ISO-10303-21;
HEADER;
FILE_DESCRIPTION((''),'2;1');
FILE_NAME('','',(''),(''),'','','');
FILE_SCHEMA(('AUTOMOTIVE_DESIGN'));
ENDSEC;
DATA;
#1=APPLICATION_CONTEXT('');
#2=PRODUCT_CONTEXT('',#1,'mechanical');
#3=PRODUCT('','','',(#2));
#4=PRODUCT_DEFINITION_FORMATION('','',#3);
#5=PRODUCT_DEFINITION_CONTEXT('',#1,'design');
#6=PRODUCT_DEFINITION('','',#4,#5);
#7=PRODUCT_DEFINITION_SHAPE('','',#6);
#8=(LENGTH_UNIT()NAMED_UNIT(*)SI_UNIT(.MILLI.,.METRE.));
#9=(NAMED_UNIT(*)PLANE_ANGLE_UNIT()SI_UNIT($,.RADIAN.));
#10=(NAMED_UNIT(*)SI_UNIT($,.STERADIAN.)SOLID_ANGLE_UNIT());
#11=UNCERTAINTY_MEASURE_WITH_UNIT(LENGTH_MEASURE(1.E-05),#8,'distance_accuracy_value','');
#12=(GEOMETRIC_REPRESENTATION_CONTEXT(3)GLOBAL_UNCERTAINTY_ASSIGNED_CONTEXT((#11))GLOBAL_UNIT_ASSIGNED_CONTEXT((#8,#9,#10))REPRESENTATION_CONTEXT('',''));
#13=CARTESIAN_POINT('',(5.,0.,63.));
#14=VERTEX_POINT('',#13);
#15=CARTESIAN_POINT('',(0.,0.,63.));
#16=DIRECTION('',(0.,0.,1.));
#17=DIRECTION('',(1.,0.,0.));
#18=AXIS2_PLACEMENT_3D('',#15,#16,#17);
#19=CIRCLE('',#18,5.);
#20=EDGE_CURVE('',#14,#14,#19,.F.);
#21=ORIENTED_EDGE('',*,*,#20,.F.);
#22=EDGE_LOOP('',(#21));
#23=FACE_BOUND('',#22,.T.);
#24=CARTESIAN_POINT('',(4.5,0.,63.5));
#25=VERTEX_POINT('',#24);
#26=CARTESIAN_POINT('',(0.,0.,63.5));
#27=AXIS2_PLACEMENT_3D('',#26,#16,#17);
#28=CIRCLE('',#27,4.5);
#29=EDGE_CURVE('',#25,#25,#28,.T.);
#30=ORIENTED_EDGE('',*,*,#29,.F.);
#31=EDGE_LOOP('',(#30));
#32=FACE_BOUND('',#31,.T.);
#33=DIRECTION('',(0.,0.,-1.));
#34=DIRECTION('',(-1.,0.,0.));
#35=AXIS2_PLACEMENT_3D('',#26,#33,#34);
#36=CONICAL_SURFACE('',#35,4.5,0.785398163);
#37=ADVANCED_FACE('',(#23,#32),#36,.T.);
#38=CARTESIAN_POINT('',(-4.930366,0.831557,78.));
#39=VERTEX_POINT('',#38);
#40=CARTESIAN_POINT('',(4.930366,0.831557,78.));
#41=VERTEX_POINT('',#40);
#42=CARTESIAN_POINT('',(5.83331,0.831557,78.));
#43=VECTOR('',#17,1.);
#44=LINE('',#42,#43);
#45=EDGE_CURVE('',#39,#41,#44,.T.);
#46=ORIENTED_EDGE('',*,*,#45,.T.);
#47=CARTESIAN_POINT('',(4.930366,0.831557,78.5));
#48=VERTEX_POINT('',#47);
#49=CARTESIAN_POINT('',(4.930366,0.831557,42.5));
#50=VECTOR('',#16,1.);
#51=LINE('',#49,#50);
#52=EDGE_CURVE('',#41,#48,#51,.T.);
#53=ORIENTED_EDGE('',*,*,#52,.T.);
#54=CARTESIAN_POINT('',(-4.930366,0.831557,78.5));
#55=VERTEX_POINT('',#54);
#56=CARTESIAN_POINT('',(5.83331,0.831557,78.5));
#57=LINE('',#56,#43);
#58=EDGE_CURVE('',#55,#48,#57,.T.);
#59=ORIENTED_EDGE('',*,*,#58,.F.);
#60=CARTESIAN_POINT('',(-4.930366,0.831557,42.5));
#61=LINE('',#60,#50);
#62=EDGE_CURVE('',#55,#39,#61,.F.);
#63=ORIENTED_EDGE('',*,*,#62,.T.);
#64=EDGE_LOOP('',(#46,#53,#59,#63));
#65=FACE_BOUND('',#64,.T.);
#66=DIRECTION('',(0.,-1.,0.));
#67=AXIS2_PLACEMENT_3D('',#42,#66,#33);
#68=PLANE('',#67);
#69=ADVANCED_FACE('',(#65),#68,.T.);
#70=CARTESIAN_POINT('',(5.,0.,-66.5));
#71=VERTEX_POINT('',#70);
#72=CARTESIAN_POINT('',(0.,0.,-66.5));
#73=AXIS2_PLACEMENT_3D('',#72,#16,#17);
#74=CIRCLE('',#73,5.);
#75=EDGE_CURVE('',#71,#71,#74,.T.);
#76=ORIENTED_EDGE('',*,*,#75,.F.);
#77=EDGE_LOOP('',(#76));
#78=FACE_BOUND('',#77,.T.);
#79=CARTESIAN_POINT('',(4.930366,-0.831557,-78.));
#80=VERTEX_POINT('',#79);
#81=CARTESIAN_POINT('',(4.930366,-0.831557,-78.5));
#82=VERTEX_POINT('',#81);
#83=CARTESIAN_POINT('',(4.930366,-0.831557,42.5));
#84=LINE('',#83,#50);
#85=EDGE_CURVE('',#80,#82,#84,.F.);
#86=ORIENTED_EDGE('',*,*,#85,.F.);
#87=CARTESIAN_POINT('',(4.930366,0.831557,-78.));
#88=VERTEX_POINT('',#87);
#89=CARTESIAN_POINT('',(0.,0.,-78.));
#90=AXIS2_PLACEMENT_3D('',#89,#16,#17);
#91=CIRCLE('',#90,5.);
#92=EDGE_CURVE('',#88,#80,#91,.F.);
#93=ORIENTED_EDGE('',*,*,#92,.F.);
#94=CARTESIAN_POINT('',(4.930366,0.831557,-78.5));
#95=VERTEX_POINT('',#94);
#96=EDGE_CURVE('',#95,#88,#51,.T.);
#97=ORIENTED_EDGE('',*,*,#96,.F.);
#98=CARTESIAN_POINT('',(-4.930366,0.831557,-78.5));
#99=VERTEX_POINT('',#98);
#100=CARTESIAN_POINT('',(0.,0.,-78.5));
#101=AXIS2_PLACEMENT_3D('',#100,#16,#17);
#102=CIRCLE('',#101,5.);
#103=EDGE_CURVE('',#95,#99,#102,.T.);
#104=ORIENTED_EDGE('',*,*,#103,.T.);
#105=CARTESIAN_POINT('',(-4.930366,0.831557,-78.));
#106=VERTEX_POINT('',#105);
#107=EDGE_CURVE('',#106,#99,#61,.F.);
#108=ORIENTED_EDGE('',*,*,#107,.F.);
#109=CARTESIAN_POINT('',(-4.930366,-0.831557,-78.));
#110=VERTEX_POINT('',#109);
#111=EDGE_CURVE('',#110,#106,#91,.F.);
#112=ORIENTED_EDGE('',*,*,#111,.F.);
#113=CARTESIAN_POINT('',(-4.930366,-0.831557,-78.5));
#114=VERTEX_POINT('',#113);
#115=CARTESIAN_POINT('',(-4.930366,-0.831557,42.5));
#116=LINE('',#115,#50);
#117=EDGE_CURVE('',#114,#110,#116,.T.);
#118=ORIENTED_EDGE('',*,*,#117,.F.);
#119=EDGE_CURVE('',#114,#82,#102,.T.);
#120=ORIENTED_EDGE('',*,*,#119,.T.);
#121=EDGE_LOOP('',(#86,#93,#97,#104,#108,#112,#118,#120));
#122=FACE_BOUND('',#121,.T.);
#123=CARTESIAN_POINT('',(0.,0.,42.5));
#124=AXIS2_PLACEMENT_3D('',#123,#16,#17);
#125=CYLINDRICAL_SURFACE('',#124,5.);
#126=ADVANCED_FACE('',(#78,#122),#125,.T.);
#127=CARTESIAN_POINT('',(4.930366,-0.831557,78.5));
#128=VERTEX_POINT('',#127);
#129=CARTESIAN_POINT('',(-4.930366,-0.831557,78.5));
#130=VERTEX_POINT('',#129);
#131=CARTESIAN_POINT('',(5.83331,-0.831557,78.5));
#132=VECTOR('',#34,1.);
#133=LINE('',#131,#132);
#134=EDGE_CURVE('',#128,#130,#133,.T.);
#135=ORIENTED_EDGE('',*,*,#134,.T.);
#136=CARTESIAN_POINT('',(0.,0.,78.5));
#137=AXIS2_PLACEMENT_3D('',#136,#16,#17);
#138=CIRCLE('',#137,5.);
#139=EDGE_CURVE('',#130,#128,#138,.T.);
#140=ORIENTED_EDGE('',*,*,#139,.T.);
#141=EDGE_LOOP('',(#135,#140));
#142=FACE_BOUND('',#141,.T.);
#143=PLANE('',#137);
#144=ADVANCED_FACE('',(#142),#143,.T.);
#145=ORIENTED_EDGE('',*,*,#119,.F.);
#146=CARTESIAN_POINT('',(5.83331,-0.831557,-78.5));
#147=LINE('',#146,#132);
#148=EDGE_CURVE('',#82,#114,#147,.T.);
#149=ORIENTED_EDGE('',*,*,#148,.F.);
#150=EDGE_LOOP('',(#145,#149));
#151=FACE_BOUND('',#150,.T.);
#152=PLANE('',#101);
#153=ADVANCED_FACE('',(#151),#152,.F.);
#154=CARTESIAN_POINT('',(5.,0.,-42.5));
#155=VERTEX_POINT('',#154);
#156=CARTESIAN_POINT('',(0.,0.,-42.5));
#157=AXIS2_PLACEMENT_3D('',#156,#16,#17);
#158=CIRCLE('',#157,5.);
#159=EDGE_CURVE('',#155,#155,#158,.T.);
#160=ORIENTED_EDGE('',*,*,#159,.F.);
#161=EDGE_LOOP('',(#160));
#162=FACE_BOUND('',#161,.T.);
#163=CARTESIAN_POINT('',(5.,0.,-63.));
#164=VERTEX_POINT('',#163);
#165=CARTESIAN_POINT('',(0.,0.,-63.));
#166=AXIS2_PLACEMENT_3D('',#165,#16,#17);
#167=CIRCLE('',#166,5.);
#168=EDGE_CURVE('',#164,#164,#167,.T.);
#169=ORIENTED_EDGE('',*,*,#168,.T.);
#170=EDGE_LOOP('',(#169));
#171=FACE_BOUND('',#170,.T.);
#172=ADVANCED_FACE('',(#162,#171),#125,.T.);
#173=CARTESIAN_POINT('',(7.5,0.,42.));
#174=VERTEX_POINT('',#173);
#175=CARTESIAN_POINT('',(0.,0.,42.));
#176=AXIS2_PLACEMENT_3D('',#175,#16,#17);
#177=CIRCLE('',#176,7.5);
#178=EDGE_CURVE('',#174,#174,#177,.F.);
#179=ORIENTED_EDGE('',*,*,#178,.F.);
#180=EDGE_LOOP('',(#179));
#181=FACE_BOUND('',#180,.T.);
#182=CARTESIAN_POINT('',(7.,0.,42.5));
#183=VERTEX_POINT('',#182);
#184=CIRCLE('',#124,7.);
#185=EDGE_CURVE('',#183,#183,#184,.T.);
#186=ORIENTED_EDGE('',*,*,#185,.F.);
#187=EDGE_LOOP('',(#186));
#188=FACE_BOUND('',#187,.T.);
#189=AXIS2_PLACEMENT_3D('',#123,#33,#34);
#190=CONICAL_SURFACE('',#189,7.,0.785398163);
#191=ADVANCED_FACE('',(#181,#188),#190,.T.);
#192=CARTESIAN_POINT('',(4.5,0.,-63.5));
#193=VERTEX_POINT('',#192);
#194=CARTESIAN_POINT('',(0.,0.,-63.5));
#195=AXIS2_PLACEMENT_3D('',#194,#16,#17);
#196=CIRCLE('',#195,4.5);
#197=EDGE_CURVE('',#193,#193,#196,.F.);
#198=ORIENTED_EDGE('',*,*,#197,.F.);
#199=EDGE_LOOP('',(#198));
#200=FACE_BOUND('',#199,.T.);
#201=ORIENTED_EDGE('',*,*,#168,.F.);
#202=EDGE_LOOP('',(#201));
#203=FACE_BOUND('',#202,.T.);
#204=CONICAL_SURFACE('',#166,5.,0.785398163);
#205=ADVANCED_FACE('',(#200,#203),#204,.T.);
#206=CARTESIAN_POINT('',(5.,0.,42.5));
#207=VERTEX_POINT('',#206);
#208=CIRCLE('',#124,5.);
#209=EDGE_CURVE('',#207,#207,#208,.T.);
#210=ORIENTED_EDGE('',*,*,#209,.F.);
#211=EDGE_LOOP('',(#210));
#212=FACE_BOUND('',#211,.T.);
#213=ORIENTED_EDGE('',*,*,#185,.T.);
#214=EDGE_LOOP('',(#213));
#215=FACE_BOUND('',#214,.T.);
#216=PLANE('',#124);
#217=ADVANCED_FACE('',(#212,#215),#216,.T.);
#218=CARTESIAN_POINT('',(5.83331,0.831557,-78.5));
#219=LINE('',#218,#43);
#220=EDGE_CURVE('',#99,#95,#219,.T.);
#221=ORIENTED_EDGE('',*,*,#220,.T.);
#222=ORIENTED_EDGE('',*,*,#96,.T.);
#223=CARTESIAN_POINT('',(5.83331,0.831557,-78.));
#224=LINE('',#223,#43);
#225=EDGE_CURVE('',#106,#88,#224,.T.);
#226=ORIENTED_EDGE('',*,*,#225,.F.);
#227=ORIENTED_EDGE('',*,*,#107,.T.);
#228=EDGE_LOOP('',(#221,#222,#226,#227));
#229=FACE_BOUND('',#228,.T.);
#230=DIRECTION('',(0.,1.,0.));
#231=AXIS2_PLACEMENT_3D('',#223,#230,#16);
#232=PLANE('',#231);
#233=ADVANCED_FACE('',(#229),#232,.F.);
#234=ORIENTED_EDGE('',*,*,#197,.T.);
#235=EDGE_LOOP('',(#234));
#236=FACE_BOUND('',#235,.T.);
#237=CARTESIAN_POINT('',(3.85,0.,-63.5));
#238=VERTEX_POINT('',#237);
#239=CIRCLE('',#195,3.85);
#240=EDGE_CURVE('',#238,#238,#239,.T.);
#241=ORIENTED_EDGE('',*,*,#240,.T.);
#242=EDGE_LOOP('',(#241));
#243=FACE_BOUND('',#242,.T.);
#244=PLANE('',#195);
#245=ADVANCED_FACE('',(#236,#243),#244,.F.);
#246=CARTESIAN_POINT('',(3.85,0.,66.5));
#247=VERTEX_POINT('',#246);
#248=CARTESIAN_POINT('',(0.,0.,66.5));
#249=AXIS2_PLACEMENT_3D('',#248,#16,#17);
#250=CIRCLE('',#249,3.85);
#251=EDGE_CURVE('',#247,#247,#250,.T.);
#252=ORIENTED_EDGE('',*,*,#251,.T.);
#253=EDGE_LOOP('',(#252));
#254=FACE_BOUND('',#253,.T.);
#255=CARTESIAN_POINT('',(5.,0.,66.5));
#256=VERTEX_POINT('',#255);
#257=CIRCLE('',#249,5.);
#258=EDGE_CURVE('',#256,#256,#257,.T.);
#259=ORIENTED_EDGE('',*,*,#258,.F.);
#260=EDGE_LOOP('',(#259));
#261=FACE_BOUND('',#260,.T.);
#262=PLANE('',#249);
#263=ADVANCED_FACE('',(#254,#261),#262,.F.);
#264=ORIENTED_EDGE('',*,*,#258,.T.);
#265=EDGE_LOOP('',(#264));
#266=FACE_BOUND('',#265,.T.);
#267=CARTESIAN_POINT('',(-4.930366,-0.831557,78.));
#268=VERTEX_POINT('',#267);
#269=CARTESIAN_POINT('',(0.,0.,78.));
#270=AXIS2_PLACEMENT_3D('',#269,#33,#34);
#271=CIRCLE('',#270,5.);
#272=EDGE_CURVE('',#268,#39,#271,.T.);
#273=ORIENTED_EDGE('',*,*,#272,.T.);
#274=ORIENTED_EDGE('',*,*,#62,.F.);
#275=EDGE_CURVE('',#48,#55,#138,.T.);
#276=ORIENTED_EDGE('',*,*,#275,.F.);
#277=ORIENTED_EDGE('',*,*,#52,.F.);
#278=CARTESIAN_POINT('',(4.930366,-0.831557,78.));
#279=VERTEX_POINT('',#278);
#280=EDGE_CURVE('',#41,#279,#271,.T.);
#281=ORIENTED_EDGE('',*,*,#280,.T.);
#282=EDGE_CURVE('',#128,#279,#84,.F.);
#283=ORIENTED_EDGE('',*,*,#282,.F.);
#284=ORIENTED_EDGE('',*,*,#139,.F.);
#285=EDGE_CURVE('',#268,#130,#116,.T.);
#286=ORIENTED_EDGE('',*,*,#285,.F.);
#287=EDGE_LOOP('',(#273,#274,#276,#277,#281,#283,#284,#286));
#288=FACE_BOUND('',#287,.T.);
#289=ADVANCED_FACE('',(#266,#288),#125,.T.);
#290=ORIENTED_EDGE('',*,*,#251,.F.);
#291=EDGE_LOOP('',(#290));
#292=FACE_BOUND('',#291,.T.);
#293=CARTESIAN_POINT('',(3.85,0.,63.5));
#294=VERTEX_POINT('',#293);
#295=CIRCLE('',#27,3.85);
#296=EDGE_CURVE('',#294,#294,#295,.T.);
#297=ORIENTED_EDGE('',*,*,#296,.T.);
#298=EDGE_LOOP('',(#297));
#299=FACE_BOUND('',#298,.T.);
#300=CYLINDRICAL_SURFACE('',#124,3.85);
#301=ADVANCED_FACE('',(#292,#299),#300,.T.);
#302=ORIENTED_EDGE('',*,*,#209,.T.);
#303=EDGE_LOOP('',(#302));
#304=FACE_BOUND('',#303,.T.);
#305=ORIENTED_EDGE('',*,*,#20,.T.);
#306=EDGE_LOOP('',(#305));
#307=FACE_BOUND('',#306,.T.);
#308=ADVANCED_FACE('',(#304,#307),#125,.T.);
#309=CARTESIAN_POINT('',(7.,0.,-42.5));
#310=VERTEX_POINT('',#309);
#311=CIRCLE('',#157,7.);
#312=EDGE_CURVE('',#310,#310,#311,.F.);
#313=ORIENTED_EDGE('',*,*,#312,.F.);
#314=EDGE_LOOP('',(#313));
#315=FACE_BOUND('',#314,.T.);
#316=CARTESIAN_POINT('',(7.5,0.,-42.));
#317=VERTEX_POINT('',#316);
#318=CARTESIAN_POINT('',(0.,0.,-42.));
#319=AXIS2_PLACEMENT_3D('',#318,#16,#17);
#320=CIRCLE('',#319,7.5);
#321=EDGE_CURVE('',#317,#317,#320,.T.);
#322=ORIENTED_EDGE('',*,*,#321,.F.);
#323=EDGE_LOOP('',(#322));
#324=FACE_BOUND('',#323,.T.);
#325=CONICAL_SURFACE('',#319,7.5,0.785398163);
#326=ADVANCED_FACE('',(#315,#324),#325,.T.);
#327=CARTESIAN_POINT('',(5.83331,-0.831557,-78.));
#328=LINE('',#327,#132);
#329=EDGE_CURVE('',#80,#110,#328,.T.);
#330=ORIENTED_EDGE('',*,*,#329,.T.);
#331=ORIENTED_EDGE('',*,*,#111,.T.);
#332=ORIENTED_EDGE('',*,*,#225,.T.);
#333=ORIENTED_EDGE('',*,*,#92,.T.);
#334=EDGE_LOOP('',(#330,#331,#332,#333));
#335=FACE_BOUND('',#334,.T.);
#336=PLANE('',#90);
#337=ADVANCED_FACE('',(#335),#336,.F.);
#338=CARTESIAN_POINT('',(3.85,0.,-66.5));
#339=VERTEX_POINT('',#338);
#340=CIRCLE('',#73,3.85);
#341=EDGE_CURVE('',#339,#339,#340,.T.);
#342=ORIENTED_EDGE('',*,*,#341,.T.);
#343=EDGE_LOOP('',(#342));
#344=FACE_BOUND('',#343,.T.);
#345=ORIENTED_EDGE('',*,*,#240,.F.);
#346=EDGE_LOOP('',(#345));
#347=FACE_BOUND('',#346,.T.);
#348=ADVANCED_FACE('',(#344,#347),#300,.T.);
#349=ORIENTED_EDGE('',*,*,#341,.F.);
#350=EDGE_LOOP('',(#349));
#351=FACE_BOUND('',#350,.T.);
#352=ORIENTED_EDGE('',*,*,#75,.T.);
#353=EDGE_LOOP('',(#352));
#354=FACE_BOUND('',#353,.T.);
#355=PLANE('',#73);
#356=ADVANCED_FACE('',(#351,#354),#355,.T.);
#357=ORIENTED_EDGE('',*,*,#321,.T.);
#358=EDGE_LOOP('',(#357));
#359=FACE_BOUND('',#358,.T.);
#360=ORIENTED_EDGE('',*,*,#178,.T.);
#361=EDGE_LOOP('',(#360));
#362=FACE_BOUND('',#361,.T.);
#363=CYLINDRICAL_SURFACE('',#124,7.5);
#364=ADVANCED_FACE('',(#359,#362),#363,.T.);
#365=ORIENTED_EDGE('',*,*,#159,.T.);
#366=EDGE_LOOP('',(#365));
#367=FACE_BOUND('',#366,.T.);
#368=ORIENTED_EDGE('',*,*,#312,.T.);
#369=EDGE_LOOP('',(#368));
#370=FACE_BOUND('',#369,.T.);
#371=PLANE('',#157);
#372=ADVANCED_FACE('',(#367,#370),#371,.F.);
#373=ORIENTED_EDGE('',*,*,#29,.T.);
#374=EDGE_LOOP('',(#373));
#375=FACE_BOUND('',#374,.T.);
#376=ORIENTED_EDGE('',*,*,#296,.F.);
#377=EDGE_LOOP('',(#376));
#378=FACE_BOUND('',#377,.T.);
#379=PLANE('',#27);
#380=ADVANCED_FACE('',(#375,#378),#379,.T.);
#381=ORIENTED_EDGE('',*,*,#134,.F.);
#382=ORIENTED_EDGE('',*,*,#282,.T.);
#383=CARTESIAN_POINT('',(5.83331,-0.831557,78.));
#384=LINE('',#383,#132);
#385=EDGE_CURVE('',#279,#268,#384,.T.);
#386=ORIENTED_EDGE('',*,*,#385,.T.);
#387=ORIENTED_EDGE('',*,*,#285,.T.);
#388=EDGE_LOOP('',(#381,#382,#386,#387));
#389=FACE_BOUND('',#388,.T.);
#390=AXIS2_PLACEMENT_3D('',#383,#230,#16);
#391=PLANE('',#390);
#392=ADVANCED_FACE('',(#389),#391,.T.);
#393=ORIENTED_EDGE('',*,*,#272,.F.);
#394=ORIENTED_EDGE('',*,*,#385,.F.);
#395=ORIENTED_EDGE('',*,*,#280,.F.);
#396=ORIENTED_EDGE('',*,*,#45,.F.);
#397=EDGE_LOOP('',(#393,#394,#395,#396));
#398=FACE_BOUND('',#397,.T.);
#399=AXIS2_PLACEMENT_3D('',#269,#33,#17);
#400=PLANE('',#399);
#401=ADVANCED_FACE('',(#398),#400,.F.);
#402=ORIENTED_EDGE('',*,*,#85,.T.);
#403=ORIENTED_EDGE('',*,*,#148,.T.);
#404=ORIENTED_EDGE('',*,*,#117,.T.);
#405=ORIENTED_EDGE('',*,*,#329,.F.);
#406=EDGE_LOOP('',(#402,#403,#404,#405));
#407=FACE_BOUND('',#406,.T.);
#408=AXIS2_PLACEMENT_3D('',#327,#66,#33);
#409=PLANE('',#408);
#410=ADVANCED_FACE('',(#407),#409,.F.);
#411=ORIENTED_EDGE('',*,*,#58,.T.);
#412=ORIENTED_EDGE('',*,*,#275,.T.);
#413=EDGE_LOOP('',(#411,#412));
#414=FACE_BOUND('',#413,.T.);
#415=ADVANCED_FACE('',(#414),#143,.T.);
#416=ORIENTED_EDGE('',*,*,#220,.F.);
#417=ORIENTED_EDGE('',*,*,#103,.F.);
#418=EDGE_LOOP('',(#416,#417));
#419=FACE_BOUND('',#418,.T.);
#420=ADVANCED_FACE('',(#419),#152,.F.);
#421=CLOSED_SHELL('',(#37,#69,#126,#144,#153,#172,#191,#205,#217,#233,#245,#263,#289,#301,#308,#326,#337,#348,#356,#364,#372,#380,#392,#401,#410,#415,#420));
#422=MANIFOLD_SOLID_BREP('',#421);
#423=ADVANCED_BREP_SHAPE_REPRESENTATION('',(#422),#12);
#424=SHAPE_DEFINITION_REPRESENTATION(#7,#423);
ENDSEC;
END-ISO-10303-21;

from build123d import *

# Parameters (mm, degrees)
ESQUISSE2_W             = 3
ESQUISSE2_H             = 3.85
CHANFREIN1_SIZE         = 0.5
ESQUISSE4_W             = 11.666620124
ESQUISSE4_H             = 1.663113932
ENL_V_MAT_EXTRU_2_DEPTH = 0.5


with BuildPart() as part:
    # Esquisse2 → Révolution1 (revolve)
    with BuildSketch(Plane(origin=(0, 0, 0), x_dir=(0, 0, -1), z_dir=(1, 0, 0))):
        Polygon((-78.5, 0), (-66.5, 0), (-66.5, 3.85), (-66.5, 5), (-78.5, 5), align=None)
        with Locations((-65, 1.925)):
            Rectangle(ESQUISSE2_W, ESQUISSE2_H)
        Polygon((-63.5, 3.85), (-63.5, 0), (-42.5, 0), (-42.5, 5), (-63.5, 5), align=None)
        Polygon((-42.5, 5), (-42.5, 0), (0, 0), (0, 7.5), (-42.5, 7.5), align=None)
        Polygon((0, 7.5), (0, 0), (42.5, 0), (42.5, 5), (42.5, 7.5), align=None)
        Polygon((42.5, 5), (42.5, 0), (63.5, 0), (63.5, 3.85), (63.5, 5), align=None)
        with Locations((65, 1.925)):
            Rectangle(ESQUISSE2_W, ESQUISSE2_H)
        Polygon((66.5, 3.85), (66.5, 0), (78.5, 0), (78.5, 5), (66.5, 5), align=None)
    revolve(axis=Axis((0, 0, 42.5), (0, 0, -1)))

    # Chanfrein1
    chanfrein1_edges = [part.edges().sort_by_distance(p)[0] for p in [
        (0, -5, 63.5),
        (0, -7.5, 42.5),
        (0, -7.5, -42.5),
        (0, -5, -63.5),
    ]]
    chamfer(chanfrein1_edges, length=CHANFREIN1_SIZE)

    # Esquisse4 → Enlèv. mat.-Extru.2 (cut)
    with BuildSketch(Plane(origin=(0, 0, -78.5), x_dir=(-1, 0, 0), z_dir=(0, 0, -1))):
        Rectangle(ESQUISSE4_W, ESQUISSE4_H)
    enl_v_mat_extru_2 = extrude(amount=-ENL_V_MAT_EXTRU_2_DEPTH, mode=Mode.SUBTRACT)

    # Symétrie2: Enlèv. mat.-Extru.2 across plane
    add(enl_v_mat_extru_2.mirror(Plane.XY), mode=Mode.SUBTRACT)


solid = part.part
